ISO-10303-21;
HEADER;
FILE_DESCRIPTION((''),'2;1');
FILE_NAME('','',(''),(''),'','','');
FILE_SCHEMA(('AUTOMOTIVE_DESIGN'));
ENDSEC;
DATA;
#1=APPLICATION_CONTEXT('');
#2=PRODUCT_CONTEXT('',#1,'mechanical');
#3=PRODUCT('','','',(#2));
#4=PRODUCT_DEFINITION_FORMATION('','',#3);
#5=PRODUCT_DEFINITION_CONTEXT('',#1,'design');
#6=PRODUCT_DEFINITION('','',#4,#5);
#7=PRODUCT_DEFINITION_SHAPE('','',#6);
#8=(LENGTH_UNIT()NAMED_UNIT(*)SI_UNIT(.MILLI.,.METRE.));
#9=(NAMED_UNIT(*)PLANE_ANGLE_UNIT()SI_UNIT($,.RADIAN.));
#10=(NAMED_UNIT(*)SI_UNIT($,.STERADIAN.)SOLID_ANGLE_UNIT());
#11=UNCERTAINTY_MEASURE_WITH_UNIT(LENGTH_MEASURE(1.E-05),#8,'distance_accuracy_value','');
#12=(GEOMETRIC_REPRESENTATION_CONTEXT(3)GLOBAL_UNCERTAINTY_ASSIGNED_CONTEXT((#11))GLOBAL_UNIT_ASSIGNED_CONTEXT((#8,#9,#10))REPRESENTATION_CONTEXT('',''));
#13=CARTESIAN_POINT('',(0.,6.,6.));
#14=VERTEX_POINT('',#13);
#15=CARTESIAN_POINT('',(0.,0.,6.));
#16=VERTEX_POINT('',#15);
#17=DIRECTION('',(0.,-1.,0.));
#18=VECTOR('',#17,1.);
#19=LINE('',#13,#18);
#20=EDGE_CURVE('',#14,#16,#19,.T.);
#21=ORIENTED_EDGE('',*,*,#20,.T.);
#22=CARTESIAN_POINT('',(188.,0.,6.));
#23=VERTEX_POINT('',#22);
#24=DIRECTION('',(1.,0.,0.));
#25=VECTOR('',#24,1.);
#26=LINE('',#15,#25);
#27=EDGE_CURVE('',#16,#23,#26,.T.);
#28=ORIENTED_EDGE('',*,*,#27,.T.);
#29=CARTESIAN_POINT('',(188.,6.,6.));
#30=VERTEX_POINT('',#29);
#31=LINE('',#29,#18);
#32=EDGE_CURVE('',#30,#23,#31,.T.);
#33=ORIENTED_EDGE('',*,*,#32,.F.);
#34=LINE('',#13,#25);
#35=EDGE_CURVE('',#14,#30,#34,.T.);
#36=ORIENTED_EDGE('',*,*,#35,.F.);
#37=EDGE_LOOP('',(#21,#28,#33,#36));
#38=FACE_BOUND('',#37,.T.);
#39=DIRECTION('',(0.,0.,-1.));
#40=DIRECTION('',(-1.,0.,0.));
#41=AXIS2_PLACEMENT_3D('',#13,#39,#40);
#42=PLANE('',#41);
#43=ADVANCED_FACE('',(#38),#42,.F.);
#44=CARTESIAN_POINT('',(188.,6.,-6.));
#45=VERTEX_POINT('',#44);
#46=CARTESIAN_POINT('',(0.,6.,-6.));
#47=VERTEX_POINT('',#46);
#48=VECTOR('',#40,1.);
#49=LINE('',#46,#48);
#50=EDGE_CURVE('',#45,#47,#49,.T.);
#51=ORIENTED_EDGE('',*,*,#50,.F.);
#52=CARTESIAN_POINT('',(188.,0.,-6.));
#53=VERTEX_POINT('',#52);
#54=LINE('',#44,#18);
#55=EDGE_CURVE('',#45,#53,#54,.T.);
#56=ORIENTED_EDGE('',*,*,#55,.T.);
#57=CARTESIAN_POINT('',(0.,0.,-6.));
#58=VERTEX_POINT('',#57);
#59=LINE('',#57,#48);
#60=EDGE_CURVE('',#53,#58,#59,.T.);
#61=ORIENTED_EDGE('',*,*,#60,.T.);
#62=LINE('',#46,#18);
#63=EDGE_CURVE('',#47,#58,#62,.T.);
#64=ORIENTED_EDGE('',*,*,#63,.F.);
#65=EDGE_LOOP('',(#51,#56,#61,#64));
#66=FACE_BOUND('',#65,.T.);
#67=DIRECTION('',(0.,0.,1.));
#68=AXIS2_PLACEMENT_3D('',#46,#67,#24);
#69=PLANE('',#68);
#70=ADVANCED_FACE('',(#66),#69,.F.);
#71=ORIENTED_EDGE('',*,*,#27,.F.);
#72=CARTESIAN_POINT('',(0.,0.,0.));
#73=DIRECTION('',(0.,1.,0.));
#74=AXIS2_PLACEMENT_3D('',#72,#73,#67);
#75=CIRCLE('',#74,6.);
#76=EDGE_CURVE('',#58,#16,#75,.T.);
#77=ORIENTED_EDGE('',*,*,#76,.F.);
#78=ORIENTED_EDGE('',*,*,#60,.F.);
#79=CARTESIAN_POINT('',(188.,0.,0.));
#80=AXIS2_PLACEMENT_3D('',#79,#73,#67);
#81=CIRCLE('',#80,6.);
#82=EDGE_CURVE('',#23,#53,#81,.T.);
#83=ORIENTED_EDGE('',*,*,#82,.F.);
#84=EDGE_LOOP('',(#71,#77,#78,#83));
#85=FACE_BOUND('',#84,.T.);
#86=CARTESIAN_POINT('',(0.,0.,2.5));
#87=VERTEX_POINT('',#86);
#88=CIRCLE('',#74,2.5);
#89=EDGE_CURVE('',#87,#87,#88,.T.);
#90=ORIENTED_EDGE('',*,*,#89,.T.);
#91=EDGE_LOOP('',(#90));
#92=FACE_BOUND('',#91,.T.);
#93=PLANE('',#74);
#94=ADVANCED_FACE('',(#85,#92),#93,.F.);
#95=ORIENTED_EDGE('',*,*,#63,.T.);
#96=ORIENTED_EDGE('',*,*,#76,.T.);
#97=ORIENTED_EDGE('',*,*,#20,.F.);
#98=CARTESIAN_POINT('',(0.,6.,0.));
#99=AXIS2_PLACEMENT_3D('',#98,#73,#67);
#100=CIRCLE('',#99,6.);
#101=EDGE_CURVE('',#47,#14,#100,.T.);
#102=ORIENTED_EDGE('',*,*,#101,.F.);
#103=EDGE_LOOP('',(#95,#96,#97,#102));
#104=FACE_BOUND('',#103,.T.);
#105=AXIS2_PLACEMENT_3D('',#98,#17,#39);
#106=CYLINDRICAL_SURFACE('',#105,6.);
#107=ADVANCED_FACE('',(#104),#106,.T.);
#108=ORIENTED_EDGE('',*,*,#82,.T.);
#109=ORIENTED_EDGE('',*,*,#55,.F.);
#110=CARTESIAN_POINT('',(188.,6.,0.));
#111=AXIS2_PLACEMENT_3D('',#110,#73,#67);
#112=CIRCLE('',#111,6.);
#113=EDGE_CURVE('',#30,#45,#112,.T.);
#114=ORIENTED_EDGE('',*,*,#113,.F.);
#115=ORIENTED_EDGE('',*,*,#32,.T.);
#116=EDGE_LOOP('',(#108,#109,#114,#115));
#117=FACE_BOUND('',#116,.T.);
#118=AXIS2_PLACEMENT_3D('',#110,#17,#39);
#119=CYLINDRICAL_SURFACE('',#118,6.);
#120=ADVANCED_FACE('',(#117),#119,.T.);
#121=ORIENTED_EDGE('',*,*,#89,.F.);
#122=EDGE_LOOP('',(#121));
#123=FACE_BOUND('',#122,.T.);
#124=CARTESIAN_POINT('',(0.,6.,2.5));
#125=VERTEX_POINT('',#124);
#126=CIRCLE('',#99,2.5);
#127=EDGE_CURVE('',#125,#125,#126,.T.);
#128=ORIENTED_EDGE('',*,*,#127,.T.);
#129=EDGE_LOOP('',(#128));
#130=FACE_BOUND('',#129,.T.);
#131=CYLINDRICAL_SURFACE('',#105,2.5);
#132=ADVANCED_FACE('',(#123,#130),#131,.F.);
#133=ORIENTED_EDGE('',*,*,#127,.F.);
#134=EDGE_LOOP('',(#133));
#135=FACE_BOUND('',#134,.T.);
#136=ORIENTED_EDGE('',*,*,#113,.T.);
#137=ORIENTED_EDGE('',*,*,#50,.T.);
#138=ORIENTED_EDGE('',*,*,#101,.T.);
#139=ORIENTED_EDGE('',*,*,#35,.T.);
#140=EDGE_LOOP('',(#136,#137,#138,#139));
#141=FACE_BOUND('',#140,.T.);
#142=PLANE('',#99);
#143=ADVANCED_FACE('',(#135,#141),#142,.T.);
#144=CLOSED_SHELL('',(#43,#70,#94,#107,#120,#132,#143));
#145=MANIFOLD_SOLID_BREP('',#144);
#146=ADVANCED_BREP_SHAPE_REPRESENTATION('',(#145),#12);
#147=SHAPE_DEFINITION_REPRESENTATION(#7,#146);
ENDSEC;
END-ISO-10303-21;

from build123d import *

# Parameters (mm, degrees)
SKETCH1_R           = 2.5
BOSS_EXTRUDE1_DEPTH = 6


with BuildPart() as part:
    # Sketch1 → Boss-Extrude1 (new body)
    with BuildSketch(Plane(origin=(0, 0, 0), x_dir=(1, 0, 0), z_dir=(0, 1, 0))):
        with BuildLine():
            Line((0, 6), (188, 6))
            ThreePointArc((188, 6), (194, 0), (188, -6))
            Line((188, -6), (0, -6))
            ThreePointArc((0, -6), (-6, 0), (0, 6))
        make_face()
        with Locations(Location((0, 0, 0), (0, 0, 270))):
            Circle(SKETCH1_R, mode=Mode.SUBTRACT)
    extrude(amount=BOSS_EXTRUDE1_DEPTH)


solid = part.part
